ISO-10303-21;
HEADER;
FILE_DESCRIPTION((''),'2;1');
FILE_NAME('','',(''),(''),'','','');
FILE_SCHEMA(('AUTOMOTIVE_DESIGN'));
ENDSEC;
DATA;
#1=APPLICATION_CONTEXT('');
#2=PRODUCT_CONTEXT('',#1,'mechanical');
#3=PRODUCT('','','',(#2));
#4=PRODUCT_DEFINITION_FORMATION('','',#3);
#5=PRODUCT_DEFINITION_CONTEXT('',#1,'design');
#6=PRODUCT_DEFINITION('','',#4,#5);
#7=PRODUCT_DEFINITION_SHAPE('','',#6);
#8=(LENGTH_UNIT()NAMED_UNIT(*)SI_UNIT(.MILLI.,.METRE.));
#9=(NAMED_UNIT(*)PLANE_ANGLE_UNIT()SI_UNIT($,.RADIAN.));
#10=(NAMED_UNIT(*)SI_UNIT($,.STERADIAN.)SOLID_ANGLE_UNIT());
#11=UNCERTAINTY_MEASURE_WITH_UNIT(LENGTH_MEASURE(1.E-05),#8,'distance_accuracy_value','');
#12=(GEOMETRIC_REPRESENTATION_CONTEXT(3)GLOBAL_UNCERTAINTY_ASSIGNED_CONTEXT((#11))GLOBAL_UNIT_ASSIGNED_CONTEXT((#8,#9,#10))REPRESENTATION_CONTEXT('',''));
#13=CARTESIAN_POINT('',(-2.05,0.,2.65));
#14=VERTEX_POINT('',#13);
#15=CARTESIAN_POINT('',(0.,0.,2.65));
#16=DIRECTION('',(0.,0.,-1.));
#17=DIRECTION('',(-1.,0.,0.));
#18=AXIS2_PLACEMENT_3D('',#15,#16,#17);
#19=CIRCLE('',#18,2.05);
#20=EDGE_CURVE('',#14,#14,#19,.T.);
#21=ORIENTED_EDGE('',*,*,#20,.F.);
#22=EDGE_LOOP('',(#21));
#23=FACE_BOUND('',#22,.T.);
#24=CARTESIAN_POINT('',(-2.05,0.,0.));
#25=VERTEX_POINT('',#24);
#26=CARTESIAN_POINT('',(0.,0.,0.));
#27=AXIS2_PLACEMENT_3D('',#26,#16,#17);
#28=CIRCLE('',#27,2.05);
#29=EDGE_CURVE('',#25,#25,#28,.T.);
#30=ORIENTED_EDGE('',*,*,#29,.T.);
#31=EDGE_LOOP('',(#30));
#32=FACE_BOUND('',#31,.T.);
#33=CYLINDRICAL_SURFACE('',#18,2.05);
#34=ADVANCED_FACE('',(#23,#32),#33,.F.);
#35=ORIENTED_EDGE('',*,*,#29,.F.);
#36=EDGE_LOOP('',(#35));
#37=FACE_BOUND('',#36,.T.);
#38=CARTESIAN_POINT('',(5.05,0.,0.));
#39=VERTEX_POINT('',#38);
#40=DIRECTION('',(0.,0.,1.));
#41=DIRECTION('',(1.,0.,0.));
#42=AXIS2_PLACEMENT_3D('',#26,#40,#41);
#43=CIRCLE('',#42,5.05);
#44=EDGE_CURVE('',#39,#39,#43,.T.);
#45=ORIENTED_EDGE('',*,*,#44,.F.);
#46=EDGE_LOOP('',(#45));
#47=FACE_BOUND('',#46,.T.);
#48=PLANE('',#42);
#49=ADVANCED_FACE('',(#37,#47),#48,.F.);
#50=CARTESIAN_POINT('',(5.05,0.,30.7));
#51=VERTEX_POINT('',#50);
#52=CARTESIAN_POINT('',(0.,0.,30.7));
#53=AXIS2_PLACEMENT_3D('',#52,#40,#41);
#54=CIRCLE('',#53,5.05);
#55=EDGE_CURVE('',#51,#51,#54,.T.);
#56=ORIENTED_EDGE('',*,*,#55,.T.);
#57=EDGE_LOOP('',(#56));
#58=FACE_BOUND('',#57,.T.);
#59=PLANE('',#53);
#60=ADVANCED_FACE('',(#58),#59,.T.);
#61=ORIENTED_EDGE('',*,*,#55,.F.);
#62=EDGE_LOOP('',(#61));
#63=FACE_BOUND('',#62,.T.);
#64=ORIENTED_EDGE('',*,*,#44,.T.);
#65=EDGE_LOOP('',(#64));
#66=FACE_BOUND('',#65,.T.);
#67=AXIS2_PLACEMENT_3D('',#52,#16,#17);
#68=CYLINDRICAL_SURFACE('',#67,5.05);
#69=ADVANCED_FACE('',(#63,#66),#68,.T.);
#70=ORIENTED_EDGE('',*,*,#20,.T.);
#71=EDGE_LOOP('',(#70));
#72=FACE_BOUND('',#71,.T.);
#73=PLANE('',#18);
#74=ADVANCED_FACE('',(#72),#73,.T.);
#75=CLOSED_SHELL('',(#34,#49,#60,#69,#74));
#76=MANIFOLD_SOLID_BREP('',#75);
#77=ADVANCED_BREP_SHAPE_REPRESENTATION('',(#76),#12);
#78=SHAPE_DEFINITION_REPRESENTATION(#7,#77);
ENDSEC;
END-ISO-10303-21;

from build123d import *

# Parameters (mm, degrees)
ESQUISSE1_R             = 5.05
BOSS_EXTRU_1_DEPTH      = 30.7
ESQUISSE2_R             = 2.05
ENL_V_MAT_EXTRU_1_DEPTH = 2.65


with BuildPart() as part:
    # Esquisse1 → Boss.-Extru.1 (new body)
    with BuildSketch(Plane.XY):
        Circle(ESQUISSE1_R)
    extrude(amount=BOSS_EXTRU_1_DEPTH)

    # Esquisse2 → Enlèv. mat.-Extru.1 (cut)
    with BuildSketch(Plane(origin=(0, 0, 0), x_dir=(-1, 0, 0), z_dir=(0, 0, -1))):
        Circle(ESQUISSE2_R)
    extrude(amount=-ENL_V_MAT_EXTRU_1_DEPTH, mode=Mode.SUBTRACT)


solid = part.part
